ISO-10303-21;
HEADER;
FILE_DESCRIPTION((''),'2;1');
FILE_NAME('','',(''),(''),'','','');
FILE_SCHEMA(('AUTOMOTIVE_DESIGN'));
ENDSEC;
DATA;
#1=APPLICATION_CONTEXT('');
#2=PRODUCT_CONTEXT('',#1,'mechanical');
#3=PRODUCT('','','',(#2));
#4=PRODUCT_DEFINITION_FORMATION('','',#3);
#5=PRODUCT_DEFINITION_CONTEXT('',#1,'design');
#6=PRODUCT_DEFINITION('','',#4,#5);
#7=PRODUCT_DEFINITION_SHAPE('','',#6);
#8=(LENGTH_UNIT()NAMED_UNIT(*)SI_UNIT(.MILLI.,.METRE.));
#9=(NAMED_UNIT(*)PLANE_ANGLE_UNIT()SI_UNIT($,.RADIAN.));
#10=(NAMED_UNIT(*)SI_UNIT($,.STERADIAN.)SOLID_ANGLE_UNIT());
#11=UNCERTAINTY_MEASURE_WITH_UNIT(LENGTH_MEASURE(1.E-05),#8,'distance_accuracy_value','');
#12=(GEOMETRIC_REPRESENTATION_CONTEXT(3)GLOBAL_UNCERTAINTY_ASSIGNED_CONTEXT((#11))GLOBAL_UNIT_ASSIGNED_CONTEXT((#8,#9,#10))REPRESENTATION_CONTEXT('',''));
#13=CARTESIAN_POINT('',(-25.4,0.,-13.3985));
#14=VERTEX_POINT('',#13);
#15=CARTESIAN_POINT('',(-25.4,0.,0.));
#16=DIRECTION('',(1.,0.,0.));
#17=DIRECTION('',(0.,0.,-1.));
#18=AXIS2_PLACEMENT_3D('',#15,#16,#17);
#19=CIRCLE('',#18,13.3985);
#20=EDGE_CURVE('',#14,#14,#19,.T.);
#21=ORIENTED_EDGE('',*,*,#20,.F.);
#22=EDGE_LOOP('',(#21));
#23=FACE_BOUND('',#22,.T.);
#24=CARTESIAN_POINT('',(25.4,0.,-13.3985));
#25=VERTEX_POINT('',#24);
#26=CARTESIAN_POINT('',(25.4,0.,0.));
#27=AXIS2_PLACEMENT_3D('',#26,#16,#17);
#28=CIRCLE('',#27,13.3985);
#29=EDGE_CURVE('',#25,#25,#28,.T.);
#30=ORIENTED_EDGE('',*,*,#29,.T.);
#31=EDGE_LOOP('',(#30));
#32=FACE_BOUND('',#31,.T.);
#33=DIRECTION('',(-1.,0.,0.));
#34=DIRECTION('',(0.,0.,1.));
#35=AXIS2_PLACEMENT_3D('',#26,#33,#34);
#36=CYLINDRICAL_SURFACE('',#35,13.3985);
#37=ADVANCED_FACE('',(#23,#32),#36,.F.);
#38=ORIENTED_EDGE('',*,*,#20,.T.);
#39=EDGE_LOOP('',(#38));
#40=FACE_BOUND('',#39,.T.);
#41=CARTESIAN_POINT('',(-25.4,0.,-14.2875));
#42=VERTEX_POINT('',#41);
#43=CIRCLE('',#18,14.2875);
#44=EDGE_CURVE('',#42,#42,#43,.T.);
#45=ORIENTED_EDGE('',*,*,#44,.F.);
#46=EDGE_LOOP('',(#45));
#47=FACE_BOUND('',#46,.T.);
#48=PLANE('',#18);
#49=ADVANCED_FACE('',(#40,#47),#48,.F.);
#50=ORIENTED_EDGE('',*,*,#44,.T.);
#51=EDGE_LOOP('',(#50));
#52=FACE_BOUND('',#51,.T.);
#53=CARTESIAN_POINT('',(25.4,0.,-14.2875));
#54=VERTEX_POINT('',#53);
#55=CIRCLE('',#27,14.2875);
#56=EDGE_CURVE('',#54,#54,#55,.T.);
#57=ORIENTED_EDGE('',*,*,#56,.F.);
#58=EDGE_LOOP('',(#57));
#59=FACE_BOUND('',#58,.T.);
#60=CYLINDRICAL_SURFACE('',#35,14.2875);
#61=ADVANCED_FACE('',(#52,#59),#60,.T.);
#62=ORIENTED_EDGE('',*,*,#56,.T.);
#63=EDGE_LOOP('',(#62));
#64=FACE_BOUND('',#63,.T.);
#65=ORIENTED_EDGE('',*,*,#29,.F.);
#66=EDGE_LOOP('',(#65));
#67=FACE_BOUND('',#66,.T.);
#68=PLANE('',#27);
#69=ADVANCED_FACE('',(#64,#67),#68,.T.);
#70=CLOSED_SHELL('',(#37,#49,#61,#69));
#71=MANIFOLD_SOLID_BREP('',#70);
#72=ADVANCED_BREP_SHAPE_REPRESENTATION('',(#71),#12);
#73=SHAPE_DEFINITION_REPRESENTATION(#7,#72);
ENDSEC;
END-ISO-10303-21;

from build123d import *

# Parameters (mm, degrees)
SKETCH1_R      = 14.2875
SKETCH1_R_2    = 13.3985
EXTRUDE1_DEPTH = 25.4


with BuildPart() as part:
    # Sketch1 → Extrude1 (new body, symmetric)
    with BuildSketch(Plane(origin=(0, 0, 0), x_dir=(0, 0, -1), z_dir=(1, 0, 0))):
        Circle(SKETCH1_R)
        Circle(SKETCH1_R_2, mode=Mode.SUBTRACT)
    extrude(amount=EXTRUDE1_DEPTH, both=True)


solid = part.part
